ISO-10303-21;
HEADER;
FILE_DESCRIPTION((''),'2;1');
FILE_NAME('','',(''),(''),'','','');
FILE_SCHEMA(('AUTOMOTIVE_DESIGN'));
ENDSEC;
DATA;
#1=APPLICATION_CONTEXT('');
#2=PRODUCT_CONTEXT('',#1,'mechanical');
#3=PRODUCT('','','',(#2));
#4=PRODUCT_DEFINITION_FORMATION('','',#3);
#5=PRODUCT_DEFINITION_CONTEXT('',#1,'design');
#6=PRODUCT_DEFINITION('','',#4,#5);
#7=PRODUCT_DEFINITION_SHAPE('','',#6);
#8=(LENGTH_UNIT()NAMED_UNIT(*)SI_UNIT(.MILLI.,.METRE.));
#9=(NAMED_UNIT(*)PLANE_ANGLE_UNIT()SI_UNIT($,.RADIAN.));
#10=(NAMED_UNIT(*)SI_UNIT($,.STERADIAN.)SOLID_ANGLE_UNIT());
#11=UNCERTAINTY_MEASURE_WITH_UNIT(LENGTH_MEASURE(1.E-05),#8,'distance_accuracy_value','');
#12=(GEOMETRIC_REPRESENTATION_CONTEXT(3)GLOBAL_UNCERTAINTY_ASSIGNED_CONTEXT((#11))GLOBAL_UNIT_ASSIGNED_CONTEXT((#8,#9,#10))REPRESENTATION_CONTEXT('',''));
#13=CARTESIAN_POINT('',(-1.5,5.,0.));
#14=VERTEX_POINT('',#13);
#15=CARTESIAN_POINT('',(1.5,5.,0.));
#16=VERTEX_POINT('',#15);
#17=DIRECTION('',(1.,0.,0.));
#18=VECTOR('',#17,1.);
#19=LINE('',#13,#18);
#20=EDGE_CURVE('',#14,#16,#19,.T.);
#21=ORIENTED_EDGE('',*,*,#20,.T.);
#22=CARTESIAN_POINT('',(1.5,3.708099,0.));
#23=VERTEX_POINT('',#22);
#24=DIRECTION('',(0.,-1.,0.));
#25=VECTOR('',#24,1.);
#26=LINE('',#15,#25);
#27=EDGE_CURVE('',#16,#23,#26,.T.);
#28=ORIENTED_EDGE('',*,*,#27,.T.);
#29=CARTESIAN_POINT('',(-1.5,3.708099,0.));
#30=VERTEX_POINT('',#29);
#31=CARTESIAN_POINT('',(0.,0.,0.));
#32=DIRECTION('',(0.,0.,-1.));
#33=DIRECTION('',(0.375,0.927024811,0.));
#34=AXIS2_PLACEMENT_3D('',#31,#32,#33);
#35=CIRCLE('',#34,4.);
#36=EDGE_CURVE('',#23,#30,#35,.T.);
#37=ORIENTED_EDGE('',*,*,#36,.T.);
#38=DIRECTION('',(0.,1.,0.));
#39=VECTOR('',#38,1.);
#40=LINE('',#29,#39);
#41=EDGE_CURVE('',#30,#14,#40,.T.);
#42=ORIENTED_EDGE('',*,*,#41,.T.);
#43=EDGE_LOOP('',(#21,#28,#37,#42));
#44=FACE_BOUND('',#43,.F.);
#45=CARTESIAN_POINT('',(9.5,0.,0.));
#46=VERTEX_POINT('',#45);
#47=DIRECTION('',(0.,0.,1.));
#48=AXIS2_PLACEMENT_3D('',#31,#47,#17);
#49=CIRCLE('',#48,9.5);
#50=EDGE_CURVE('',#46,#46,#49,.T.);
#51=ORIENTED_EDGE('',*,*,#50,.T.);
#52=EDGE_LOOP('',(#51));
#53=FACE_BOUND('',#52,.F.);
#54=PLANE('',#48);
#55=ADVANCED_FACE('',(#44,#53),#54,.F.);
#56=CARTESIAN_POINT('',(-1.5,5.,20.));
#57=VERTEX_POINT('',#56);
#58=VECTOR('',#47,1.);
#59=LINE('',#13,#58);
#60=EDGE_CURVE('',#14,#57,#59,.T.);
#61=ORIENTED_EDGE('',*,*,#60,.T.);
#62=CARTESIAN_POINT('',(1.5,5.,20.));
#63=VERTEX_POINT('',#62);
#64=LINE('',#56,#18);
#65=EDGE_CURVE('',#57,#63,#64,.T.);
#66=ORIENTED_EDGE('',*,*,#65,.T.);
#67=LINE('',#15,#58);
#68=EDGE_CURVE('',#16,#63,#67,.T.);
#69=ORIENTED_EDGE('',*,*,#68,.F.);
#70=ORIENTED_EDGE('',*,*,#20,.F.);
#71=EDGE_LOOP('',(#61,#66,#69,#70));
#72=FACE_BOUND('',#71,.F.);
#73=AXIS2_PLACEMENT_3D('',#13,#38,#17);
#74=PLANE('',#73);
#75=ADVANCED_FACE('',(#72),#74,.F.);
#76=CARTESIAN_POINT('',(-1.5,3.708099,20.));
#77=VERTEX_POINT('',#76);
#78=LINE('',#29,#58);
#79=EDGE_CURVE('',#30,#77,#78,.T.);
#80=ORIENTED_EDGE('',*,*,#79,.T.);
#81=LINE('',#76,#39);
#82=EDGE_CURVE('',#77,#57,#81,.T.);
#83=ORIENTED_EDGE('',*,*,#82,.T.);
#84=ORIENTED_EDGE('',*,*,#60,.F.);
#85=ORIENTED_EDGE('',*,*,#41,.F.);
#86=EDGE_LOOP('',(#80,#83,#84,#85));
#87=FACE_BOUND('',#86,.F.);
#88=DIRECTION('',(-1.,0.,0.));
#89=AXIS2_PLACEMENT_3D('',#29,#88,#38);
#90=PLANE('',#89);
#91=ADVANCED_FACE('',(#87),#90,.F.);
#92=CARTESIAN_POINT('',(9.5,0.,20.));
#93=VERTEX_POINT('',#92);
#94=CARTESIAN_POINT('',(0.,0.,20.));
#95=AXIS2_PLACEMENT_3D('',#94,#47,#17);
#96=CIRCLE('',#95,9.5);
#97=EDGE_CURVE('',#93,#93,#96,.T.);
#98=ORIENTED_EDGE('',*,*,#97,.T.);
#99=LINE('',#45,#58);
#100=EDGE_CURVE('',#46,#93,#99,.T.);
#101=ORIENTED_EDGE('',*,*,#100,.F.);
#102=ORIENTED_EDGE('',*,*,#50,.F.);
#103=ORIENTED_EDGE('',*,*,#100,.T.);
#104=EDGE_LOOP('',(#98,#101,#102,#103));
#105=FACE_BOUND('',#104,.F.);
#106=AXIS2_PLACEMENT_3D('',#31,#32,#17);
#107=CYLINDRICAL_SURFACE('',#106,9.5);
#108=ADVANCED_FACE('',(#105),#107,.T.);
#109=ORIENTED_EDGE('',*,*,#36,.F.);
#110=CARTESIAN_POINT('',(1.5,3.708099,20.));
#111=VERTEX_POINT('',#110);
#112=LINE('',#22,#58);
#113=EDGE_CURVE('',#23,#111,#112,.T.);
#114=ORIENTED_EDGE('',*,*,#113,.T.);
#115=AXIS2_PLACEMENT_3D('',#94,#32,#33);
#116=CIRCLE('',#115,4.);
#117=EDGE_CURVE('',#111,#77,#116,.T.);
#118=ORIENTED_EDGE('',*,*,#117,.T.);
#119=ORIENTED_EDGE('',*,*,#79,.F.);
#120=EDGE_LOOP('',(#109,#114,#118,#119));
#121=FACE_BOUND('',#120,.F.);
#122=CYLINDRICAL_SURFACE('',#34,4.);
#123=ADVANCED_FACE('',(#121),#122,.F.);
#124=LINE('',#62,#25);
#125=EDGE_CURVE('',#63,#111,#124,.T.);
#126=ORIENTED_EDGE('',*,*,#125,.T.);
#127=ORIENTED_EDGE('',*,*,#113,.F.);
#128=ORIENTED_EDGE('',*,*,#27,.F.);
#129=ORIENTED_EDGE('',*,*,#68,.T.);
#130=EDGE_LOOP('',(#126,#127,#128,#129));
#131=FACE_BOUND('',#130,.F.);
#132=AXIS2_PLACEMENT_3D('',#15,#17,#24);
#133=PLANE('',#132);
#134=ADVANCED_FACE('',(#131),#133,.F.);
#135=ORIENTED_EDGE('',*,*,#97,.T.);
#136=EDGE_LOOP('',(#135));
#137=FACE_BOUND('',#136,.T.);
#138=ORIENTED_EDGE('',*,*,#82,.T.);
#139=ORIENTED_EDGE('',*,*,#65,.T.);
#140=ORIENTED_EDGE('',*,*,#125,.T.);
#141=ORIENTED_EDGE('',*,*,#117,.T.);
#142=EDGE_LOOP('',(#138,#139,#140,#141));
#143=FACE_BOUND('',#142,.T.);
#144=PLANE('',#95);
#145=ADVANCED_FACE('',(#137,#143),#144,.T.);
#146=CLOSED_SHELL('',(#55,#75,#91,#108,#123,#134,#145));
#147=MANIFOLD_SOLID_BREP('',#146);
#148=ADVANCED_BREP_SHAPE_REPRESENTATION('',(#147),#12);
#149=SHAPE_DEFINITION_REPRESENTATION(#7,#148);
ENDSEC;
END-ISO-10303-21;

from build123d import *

# Parameters (mm, degrees)
SKETCH1_R           = 9.5
BOSS_EXTRUDE1_DEPTH = 20


with BuildPart() as part:
    # Sketch1 → Boss-Extrude1 (new body)
    with BuildSketch(Plane.XY):
        Circle(SKETCH1_R)
        with BuildLine():
            Line((-1.5, 3.708099244), (-1.5, 5))
            Line((-1.5, 5), (1.5, 5))
            Line((1.5, 5), (1.5, 3.708099244))
            ThreePointArc((1.5, 3.708099244), (0, -4), (-1.5, 3.708099244))
        make_face(mode=Mode.SUBTRACT)
    extrude(amount=BOSS_EXTRUDE1_DEPTH)


solid = part.part
